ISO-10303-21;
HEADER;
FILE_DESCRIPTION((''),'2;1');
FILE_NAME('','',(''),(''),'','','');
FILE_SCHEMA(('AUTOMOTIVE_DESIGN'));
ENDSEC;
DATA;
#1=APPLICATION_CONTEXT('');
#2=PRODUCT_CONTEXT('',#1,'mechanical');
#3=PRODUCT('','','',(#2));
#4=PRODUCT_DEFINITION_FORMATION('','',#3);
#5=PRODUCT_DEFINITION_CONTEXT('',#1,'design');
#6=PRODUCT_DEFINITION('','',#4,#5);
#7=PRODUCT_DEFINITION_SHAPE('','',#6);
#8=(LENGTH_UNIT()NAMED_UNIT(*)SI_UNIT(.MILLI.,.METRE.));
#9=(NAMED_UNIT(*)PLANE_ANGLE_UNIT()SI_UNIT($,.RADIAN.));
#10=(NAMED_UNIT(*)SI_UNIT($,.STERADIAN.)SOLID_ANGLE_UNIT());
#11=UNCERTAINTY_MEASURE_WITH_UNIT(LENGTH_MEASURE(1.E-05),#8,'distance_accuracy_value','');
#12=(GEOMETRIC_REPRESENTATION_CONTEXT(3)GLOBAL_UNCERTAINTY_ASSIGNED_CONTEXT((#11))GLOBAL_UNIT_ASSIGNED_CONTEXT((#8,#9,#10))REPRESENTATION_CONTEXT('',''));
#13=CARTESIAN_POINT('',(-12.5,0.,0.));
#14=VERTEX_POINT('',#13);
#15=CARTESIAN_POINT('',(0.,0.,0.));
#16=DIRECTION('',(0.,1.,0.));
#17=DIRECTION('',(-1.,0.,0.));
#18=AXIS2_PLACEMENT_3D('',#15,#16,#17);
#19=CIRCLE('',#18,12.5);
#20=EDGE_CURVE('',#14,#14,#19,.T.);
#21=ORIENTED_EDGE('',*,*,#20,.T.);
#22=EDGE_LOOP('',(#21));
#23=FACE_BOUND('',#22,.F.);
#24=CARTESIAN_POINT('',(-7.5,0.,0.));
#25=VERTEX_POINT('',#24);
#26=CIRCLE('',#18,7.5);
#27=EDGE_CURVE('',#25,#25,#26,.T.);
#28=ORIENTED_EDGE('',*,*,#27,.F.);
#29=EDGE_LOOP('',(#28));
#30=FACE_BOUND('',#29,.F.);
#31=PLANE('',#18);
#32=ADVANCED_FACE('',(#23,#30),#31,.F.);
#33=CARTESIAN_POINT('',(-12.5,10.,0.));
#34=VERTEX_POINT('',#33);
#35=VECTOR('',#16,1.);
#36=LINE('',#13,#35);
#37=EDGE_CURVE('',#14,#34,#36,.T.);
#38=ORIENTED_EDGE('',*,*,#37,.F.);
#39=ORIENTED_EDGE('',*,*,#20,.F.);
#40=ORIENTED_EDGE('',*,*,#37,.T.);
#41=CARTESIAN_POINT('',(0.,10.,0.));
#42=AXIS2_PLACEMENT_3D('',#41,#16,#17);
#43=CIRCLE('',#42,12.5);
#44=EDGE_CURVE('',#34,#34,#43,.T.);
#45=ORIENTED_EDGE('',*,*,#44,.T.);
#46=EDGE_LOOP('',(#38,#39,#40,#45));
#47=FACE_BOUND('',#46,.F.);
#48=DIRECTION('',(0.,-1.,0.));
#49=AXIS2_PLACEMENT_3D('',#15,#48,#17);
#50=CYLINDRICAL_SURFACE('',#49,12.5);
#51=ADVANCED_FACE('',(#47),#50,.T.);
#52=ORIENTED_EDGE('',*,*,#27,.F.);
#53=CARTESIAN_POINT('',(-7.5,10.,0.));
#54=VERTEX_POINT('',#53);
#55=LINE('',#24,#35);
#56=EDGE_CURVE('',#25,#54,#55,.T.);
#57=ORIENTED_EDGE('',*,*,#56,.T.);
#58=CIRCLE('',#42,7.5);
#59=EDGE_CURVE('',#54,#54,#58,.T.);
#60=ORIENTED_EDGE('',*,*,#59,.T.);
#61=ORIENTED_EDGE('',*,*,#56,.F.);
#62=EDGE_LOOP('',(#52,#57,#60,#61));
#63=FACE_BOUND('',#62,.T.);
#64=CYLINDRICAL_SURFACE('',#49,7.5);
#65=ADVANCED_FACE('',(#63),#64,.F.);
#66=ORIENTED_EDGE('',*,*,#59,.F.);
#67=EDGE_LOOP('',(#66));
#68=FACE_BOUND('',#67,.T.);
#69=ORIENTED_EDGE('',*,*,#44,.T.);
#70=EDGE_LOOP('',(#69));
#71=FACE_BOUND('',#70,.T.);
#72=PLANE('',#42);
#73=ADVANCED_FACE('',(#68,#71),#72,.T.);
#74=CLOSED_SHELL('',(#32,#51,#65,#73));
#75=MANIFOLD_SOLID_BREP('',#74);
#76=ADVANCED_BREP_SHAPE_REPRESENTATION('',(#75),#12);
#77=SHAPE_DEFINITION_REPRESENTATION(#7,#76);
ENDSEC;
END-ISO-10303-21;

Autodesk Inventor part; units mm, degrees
ref_plane "YZ Plane" through (0, 0, 0) normal (1, 0, 0) x (0, 1, 0)
ref_plane "XZ Plane" through (0, 0, 0) normal (0, 1, 0) x (-1, 0, 0)
ref_plane "XY Plane" through (0, 0, 0) normal (0, 0, 1) x (1, 0, 0)
sketch "Эскиз1" plane through (0, 0, 0) normal (0, 1, 0) x (-1, 0, 0)
  circle A0 centre (0, 0) radius 12.5
  circle A1 centre (0, 0) radius 7.5
  dimension "d0" = 25
  dimension "d1" = 15
extrude "Выдавливание1" add sketch "Эскиз1" along normal blind 10
properties part number "pawn"
